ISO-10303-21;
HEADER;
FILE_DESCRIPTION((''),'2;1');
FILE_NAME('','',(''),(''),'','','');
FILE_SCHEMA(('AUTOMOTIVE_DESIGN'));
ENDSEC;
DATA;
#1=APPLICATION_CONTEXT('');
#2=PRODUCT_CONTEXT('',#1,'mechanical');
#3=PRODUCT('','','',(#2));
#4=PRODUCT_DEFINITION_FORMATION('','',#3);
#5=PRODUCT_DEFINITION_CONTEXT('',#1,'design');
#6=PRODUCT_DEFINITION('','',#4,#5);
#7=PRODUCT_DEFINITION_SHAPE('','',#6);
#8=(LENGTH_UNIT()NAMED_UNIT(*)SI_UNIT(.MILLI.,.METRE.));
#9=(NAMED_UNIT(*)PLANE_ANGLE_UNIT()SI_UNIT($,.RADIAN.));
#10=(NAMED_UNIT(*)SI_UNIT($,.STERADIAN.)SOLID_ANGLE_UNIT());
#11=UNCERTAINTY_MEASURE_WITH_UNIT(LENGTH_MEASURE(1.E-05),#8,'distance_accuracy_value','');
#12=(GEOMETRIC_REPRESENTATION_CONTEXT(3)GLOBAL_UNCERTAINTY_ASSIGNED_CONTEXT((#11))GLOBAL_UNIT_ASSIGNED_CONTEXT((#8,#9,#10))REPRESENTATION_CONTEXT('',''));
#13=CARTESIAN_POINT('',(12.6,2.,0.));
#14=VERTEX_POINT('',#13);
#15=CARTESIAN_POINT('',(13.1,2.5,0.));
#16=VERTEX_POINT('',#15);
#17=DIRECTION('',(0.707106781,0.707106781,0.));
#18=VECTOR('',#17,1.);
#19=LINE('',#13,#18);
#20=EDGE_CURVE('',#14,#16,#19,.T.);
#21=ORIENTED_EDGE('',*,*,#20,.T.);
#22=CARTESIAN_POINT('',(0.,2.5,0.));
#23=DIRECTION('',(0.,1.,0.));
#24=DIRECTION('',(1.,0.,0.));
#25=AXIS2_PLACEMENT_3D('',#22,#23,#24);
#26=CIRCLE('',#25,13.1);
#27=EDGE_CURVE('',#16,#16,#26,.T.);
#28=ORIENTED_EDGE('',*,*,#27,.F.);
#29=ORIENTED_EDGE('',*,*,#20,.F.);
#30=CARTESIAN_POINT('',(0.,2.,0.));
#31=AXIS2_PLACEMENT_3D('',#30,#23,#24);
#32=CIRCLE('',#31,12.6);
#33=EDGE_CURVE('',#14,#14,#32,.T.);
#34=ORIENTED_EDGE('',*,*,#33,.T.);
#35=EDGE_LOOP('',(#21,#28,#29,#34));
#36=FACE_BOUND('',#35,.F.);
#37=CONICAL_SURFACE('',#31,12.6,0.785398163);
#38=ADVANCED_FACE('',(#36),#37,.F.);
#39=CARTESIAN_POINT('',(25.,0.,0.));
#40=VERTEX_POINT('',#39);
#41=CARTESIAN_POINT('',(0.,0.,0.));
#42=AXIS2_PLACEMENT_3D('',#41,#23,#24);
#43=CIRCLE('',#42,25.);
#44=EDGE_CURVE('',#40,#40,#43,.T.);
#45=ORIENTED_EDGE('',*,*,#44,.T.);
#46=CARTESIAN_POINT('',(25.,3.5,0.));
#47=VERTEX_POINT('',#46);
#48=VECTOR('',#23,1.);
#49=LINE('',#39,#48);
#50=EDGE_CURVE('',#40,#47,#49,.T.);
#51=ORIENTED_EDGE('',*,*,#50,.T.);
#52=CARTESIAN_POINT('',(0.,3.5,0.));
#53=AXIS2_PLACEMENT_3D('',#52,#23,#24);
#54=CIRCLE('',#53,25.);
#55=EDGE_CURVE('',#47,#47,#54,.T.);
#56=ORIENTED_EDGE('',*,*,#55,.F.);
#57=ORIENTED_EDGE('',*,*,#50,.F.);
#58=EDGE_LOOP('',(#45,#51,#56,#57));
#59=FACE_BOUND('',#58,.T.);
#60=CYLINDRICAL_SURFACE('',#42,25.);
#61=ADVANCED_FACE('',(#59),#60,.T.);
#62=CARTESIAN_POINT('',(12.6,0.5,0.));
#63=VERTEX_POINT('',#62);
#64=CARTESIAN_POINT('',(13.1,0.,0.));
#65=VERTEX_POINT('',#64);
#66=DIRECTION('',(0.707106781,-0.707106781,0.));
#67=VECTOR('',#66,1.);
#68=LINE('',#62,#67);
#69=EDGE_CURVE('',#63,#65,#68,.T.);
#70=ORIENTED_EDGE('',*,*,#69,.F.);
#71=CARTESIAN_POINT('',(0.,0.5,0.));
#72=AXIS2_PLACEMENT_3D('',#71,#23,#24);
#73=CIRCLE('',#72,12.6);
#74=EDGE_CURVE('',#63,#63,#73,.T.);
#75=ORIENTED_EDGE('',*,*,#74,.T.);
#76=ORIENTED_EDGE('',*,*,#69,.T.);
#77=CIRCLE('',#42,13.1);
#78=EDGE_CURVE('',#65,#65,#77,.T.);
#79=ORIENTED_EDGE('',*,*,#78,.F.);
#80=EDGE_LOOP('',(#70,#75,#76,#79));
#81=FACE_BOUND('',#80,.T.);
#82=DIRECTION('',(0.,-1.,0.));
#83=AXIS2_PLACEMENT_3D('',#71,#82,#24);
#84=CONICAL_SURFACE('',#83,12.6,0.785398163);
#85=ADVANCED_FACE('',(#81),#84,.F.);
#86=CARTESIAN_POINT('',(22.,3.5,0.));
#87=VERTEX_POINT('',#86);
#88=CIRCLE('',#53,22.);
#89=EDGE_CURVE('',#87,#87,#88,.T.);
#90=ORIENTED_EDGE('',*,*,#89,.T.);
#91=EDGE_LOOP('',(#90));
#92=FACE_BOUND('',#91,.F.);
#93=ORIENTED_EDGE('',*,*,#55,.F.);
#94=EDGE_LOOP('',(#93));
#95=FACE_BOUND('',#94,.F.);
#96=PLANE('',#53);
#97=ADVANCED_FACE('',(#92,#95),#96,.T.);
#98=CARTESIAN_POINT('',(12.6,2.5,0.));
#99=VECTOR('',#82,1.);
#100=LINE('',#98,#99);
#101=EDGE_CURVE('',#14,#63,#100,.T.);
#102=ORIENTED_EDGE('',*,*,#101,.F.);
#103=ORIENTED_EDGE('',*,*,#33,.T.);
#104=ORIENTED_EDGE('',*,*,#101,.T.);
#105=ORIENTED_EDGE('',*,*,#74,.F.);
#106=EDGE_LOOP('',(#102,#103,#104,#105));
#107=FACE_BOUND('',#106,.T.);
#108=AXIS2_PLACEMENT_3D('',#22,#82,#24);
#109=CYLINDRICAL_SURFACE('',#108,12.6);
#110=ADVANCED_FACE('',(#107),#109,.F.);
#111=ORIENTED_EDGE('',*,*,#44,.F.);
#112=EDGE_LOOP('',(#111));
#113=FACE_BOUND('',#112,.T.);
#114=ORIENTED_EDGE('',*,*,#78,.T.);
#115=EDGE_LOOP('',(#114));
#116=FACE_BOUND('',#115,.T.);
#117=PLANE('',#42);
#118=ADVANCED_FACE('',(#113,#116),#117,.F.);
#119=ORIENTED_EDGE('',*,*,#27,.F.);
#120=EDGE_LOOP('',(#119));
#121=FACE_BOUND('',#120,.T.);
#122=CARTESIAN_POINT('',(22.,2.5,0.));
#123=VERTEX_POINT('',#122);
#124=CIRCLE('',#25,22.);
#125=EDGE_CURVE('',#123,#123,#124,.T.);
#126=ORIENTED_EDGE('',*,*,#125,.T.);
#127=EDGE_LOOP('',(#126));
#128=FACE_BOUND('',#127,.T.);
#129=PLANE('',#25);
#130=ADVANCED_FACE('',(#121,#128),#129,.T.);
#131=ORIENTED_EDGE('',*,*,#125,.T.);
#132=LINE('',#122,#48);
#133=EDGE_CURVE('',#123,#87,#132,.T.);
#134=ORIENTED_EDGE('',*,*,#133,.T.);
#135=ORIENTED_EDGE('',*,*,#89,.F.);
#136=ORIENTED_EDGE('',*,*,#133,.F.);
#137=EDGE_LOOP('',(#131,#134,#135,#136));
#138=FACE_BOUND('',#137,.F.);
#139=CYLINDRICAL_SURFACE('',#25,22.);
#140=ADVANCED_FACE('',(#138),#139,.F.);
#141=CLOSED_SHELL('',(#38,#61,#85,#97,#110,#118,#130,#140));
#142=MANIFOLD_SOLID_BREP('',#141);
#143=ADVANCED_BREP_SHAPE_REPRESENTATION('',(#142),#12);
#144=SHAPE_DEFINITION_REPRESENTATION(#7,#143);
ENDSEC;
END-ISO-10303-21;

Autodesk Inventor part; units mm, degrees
ref_plane "YZ Plane" through (0, 0, 0) normal (1, 0, 0) x (0, 1, 0)
ref_plane "XZ Plane" through (0, 0, 0) normal (0, 1, 0) x (-1, 0, 0)
ref_plane "XY Plane" through (0, 0, 0) normal (0, 0, 1) x (1, 0, 0)
sketch "Sketch2" plane through (0, 0, 0) normal (0, 0, 1) x (1, 0, 0)
  line L0 (12.6, 0) -> (25, 0)
  line L1 (25, 0) -> (25, 2.5)
  line L2 (25, 2.5) -> (12.6, 2.5)
  line L3 (12.6, 2.5) -> (12.6, 0)
  line L4 (25, 2.5) -> (22, 2.5)
  line L5 (22, 2.5) -> (22, 3.5)
  line L6 (22, 3.5) -> (25, 3.5)
  line L7 (25, 3.5) -> (25, 2.5)
  line L8 (0, -9.1355) -> (0, 9.1355) construction
  line L9 (25, 2.5) -> (22.5, 2.5)
  line L10 (22.5, 0) -> (25, 0)
  line L11 (25, 0) -> (25, 2.5)
  point P0 (0, 0)
  dimension "d4" = 12.6
  dimension "d6" = 2.5
  dimension "d7" = 3
  dimension "d8" = 1
  dimension "d15" = 25
revolve "Revolution1" add sketch "Sketch2" angle 360 about axis through (0, -9.1355, 0) along (0, 1, 0)
chamfer "Chamfer1" distance 0.5 angle 45 2 edges at (-12.6, 2.5, 0) (-12.6, 0, 0)
properties part number "clutch for print"
